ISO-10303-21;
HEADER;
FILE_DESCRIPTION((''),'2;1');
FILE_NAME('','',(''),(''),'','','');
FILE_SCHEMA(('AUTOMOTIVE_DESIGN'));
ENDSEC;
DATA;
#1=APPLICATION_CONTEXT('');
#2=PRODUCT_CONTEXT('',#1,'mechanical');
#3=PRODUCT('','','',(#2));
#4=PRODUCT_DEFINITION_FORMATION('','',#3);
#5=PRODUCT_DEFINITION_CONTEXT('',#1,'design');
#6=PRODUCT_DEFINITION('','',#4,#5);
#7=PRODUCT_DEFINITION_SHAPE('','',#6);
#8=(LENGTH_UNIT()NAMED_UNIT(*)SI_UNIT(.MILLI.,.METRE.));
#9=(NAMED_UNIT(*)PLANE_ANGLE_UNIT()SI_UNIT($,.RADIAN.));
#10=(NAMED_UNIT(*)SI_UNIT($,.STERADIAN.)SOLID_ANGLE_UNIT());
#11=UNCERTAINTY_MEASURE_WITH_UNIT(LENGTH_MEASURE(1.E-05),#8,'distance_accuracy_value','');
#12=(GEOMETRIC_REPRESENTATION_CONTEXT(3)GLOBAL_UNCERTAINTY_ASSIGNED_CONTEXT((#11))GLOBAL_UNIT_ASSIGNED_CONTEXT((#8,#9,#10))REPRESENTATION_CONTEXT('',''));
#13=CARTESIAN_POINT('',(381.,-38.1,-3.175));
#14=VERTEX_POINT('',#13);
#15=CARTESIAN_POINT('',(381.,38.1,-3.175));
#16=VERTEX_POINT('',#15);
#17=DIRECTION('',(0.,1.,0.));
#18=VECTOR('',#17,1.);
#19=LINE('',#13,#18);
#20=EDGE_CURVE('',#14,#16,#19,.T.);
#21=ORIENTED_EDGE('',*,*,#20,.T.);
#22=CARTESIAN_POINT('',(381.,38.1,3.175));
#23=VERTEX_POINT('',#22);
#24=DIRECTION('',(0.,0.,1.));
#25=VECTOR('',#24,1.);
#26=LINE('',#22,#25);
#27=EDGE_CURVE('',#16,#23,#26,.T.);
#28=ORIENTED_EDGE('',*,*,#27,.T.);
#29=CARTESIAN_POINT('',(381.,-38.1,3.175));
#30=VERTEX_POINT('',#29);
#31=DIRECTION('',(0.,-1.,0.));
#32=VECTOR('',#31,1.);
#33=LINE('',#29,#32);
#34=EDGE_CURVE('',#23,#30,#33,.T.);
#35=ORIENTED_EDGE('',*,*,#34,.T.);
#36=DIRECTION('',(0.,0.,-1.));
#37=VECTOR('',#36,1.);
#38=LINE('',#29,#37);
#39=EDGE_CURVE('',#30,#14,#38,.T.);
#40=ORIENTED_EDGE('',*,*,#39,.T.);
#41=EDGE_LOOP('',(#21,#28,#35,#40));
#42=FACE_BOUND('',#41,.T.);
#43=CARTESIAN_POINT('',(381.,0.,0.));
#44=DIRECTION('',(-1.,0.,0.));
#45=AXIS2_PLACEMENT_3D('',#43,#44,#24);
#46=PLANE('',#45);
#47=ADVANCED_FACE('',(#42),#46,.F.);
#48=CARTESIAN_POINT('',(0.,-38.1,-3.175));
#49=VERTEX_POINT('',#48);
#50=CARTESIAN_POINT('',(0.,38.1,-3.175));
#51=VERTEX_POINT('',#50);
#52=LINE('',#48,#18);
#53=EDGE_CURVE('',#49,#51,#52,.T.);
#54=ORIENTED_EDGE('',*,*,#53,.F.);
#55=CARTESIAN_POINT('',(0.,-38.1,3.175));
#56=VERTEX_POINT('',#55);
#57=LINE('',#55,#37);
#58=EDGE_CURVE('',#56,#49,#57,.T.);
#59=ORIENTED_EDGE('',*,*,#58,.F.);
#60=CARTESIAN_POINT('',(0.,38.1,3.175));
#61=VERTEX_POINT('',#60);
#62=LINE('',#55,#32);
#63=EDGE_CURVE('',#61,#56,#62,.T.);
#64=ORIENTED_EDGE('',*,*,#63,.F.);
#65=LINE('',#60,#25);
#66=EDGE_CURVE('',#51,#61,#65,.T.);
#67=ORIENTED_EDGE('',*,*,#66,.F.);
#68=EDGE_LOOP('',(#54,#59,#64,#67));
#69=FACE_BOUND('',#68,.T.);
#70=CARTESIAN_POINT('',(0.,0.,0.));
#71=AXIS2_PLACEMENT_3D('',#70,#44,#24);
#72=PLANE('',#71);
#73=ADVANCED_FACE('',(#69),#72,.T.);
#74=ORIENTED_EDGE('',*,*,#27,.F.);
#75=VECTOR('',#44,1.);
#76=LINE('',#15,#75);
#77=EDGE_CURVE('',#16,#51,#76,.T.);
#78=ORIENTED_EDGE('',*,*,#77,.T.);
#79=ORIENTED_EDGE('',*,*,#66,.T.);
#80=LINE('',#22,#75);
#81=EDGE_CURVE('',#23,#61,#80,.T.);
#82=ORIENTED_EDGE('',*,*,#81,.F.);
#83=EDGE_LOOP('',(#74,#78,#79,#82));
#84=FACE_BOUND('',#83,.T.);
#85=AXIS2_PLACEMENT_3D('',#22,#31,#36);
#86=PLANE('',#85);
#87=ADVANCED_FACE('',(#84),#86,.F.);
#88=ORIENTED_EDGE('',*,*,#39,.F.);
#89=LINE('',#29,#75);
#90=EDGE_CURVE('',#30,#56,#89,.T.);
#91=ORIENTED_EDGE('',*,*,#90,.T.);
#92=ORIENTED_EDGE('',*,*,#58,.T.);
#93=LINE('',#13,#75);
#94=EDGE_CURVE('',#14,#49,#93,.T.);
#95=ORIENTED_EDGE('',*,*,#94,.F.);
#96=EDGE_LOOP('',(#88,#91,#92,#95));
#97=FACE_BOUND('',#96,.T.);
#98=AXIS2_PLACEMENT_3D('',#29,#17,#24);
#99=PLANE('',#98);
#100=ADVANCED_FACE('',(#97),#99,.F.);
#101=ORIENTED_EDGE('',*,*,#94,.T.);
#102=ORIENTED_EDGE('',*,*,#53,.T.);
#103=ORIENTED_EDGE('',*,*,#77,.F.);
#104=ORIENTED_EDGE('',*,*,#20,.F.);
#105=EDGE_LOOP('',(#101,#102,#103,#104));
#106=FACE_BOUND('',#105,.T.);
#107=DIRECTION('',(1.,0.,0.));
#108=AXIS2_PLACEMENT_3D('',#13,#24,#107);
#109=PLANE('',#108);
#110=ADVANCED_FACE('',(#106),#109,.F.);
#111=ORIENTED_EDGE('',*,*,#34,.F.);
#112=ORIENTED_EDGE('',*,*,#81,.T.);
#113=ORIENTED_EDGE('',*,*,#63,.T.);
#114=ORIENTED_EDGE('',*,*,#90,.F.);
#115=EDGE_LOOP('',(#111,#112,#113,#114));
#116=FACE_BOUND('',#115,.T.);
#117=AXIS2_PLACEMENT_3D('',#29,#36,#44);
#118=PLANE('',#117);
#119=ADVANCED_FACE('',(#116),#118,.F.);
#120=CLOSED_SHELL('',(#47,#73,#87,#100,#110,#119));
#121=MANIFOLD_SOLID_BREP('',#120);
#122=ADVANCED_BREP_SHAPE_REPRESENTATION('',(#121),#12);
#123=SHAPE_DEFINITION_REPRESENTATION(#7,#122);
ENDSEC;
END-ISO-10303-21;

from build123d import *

# Parameters (mm, degrees)
SKETCH1_W           = 6.35
SKETCH1_H           = 76.2
BOSS_EXTRUDE1_DEPTH = 381


with BuildPart() as part:
    # Sketch1 → Boss-Extrude1 (new body)
    with BuildSketch(Plane(origin=(0, 0, 0), x_dir=(0, 0, -1), z_dir=(1, 0, 0))):
        Rectangle(SKETCH1_W, SKETCH1_H)
    extrude(amount=BOSS_EXTRUDE1_DEPTH)


solid = part.part
